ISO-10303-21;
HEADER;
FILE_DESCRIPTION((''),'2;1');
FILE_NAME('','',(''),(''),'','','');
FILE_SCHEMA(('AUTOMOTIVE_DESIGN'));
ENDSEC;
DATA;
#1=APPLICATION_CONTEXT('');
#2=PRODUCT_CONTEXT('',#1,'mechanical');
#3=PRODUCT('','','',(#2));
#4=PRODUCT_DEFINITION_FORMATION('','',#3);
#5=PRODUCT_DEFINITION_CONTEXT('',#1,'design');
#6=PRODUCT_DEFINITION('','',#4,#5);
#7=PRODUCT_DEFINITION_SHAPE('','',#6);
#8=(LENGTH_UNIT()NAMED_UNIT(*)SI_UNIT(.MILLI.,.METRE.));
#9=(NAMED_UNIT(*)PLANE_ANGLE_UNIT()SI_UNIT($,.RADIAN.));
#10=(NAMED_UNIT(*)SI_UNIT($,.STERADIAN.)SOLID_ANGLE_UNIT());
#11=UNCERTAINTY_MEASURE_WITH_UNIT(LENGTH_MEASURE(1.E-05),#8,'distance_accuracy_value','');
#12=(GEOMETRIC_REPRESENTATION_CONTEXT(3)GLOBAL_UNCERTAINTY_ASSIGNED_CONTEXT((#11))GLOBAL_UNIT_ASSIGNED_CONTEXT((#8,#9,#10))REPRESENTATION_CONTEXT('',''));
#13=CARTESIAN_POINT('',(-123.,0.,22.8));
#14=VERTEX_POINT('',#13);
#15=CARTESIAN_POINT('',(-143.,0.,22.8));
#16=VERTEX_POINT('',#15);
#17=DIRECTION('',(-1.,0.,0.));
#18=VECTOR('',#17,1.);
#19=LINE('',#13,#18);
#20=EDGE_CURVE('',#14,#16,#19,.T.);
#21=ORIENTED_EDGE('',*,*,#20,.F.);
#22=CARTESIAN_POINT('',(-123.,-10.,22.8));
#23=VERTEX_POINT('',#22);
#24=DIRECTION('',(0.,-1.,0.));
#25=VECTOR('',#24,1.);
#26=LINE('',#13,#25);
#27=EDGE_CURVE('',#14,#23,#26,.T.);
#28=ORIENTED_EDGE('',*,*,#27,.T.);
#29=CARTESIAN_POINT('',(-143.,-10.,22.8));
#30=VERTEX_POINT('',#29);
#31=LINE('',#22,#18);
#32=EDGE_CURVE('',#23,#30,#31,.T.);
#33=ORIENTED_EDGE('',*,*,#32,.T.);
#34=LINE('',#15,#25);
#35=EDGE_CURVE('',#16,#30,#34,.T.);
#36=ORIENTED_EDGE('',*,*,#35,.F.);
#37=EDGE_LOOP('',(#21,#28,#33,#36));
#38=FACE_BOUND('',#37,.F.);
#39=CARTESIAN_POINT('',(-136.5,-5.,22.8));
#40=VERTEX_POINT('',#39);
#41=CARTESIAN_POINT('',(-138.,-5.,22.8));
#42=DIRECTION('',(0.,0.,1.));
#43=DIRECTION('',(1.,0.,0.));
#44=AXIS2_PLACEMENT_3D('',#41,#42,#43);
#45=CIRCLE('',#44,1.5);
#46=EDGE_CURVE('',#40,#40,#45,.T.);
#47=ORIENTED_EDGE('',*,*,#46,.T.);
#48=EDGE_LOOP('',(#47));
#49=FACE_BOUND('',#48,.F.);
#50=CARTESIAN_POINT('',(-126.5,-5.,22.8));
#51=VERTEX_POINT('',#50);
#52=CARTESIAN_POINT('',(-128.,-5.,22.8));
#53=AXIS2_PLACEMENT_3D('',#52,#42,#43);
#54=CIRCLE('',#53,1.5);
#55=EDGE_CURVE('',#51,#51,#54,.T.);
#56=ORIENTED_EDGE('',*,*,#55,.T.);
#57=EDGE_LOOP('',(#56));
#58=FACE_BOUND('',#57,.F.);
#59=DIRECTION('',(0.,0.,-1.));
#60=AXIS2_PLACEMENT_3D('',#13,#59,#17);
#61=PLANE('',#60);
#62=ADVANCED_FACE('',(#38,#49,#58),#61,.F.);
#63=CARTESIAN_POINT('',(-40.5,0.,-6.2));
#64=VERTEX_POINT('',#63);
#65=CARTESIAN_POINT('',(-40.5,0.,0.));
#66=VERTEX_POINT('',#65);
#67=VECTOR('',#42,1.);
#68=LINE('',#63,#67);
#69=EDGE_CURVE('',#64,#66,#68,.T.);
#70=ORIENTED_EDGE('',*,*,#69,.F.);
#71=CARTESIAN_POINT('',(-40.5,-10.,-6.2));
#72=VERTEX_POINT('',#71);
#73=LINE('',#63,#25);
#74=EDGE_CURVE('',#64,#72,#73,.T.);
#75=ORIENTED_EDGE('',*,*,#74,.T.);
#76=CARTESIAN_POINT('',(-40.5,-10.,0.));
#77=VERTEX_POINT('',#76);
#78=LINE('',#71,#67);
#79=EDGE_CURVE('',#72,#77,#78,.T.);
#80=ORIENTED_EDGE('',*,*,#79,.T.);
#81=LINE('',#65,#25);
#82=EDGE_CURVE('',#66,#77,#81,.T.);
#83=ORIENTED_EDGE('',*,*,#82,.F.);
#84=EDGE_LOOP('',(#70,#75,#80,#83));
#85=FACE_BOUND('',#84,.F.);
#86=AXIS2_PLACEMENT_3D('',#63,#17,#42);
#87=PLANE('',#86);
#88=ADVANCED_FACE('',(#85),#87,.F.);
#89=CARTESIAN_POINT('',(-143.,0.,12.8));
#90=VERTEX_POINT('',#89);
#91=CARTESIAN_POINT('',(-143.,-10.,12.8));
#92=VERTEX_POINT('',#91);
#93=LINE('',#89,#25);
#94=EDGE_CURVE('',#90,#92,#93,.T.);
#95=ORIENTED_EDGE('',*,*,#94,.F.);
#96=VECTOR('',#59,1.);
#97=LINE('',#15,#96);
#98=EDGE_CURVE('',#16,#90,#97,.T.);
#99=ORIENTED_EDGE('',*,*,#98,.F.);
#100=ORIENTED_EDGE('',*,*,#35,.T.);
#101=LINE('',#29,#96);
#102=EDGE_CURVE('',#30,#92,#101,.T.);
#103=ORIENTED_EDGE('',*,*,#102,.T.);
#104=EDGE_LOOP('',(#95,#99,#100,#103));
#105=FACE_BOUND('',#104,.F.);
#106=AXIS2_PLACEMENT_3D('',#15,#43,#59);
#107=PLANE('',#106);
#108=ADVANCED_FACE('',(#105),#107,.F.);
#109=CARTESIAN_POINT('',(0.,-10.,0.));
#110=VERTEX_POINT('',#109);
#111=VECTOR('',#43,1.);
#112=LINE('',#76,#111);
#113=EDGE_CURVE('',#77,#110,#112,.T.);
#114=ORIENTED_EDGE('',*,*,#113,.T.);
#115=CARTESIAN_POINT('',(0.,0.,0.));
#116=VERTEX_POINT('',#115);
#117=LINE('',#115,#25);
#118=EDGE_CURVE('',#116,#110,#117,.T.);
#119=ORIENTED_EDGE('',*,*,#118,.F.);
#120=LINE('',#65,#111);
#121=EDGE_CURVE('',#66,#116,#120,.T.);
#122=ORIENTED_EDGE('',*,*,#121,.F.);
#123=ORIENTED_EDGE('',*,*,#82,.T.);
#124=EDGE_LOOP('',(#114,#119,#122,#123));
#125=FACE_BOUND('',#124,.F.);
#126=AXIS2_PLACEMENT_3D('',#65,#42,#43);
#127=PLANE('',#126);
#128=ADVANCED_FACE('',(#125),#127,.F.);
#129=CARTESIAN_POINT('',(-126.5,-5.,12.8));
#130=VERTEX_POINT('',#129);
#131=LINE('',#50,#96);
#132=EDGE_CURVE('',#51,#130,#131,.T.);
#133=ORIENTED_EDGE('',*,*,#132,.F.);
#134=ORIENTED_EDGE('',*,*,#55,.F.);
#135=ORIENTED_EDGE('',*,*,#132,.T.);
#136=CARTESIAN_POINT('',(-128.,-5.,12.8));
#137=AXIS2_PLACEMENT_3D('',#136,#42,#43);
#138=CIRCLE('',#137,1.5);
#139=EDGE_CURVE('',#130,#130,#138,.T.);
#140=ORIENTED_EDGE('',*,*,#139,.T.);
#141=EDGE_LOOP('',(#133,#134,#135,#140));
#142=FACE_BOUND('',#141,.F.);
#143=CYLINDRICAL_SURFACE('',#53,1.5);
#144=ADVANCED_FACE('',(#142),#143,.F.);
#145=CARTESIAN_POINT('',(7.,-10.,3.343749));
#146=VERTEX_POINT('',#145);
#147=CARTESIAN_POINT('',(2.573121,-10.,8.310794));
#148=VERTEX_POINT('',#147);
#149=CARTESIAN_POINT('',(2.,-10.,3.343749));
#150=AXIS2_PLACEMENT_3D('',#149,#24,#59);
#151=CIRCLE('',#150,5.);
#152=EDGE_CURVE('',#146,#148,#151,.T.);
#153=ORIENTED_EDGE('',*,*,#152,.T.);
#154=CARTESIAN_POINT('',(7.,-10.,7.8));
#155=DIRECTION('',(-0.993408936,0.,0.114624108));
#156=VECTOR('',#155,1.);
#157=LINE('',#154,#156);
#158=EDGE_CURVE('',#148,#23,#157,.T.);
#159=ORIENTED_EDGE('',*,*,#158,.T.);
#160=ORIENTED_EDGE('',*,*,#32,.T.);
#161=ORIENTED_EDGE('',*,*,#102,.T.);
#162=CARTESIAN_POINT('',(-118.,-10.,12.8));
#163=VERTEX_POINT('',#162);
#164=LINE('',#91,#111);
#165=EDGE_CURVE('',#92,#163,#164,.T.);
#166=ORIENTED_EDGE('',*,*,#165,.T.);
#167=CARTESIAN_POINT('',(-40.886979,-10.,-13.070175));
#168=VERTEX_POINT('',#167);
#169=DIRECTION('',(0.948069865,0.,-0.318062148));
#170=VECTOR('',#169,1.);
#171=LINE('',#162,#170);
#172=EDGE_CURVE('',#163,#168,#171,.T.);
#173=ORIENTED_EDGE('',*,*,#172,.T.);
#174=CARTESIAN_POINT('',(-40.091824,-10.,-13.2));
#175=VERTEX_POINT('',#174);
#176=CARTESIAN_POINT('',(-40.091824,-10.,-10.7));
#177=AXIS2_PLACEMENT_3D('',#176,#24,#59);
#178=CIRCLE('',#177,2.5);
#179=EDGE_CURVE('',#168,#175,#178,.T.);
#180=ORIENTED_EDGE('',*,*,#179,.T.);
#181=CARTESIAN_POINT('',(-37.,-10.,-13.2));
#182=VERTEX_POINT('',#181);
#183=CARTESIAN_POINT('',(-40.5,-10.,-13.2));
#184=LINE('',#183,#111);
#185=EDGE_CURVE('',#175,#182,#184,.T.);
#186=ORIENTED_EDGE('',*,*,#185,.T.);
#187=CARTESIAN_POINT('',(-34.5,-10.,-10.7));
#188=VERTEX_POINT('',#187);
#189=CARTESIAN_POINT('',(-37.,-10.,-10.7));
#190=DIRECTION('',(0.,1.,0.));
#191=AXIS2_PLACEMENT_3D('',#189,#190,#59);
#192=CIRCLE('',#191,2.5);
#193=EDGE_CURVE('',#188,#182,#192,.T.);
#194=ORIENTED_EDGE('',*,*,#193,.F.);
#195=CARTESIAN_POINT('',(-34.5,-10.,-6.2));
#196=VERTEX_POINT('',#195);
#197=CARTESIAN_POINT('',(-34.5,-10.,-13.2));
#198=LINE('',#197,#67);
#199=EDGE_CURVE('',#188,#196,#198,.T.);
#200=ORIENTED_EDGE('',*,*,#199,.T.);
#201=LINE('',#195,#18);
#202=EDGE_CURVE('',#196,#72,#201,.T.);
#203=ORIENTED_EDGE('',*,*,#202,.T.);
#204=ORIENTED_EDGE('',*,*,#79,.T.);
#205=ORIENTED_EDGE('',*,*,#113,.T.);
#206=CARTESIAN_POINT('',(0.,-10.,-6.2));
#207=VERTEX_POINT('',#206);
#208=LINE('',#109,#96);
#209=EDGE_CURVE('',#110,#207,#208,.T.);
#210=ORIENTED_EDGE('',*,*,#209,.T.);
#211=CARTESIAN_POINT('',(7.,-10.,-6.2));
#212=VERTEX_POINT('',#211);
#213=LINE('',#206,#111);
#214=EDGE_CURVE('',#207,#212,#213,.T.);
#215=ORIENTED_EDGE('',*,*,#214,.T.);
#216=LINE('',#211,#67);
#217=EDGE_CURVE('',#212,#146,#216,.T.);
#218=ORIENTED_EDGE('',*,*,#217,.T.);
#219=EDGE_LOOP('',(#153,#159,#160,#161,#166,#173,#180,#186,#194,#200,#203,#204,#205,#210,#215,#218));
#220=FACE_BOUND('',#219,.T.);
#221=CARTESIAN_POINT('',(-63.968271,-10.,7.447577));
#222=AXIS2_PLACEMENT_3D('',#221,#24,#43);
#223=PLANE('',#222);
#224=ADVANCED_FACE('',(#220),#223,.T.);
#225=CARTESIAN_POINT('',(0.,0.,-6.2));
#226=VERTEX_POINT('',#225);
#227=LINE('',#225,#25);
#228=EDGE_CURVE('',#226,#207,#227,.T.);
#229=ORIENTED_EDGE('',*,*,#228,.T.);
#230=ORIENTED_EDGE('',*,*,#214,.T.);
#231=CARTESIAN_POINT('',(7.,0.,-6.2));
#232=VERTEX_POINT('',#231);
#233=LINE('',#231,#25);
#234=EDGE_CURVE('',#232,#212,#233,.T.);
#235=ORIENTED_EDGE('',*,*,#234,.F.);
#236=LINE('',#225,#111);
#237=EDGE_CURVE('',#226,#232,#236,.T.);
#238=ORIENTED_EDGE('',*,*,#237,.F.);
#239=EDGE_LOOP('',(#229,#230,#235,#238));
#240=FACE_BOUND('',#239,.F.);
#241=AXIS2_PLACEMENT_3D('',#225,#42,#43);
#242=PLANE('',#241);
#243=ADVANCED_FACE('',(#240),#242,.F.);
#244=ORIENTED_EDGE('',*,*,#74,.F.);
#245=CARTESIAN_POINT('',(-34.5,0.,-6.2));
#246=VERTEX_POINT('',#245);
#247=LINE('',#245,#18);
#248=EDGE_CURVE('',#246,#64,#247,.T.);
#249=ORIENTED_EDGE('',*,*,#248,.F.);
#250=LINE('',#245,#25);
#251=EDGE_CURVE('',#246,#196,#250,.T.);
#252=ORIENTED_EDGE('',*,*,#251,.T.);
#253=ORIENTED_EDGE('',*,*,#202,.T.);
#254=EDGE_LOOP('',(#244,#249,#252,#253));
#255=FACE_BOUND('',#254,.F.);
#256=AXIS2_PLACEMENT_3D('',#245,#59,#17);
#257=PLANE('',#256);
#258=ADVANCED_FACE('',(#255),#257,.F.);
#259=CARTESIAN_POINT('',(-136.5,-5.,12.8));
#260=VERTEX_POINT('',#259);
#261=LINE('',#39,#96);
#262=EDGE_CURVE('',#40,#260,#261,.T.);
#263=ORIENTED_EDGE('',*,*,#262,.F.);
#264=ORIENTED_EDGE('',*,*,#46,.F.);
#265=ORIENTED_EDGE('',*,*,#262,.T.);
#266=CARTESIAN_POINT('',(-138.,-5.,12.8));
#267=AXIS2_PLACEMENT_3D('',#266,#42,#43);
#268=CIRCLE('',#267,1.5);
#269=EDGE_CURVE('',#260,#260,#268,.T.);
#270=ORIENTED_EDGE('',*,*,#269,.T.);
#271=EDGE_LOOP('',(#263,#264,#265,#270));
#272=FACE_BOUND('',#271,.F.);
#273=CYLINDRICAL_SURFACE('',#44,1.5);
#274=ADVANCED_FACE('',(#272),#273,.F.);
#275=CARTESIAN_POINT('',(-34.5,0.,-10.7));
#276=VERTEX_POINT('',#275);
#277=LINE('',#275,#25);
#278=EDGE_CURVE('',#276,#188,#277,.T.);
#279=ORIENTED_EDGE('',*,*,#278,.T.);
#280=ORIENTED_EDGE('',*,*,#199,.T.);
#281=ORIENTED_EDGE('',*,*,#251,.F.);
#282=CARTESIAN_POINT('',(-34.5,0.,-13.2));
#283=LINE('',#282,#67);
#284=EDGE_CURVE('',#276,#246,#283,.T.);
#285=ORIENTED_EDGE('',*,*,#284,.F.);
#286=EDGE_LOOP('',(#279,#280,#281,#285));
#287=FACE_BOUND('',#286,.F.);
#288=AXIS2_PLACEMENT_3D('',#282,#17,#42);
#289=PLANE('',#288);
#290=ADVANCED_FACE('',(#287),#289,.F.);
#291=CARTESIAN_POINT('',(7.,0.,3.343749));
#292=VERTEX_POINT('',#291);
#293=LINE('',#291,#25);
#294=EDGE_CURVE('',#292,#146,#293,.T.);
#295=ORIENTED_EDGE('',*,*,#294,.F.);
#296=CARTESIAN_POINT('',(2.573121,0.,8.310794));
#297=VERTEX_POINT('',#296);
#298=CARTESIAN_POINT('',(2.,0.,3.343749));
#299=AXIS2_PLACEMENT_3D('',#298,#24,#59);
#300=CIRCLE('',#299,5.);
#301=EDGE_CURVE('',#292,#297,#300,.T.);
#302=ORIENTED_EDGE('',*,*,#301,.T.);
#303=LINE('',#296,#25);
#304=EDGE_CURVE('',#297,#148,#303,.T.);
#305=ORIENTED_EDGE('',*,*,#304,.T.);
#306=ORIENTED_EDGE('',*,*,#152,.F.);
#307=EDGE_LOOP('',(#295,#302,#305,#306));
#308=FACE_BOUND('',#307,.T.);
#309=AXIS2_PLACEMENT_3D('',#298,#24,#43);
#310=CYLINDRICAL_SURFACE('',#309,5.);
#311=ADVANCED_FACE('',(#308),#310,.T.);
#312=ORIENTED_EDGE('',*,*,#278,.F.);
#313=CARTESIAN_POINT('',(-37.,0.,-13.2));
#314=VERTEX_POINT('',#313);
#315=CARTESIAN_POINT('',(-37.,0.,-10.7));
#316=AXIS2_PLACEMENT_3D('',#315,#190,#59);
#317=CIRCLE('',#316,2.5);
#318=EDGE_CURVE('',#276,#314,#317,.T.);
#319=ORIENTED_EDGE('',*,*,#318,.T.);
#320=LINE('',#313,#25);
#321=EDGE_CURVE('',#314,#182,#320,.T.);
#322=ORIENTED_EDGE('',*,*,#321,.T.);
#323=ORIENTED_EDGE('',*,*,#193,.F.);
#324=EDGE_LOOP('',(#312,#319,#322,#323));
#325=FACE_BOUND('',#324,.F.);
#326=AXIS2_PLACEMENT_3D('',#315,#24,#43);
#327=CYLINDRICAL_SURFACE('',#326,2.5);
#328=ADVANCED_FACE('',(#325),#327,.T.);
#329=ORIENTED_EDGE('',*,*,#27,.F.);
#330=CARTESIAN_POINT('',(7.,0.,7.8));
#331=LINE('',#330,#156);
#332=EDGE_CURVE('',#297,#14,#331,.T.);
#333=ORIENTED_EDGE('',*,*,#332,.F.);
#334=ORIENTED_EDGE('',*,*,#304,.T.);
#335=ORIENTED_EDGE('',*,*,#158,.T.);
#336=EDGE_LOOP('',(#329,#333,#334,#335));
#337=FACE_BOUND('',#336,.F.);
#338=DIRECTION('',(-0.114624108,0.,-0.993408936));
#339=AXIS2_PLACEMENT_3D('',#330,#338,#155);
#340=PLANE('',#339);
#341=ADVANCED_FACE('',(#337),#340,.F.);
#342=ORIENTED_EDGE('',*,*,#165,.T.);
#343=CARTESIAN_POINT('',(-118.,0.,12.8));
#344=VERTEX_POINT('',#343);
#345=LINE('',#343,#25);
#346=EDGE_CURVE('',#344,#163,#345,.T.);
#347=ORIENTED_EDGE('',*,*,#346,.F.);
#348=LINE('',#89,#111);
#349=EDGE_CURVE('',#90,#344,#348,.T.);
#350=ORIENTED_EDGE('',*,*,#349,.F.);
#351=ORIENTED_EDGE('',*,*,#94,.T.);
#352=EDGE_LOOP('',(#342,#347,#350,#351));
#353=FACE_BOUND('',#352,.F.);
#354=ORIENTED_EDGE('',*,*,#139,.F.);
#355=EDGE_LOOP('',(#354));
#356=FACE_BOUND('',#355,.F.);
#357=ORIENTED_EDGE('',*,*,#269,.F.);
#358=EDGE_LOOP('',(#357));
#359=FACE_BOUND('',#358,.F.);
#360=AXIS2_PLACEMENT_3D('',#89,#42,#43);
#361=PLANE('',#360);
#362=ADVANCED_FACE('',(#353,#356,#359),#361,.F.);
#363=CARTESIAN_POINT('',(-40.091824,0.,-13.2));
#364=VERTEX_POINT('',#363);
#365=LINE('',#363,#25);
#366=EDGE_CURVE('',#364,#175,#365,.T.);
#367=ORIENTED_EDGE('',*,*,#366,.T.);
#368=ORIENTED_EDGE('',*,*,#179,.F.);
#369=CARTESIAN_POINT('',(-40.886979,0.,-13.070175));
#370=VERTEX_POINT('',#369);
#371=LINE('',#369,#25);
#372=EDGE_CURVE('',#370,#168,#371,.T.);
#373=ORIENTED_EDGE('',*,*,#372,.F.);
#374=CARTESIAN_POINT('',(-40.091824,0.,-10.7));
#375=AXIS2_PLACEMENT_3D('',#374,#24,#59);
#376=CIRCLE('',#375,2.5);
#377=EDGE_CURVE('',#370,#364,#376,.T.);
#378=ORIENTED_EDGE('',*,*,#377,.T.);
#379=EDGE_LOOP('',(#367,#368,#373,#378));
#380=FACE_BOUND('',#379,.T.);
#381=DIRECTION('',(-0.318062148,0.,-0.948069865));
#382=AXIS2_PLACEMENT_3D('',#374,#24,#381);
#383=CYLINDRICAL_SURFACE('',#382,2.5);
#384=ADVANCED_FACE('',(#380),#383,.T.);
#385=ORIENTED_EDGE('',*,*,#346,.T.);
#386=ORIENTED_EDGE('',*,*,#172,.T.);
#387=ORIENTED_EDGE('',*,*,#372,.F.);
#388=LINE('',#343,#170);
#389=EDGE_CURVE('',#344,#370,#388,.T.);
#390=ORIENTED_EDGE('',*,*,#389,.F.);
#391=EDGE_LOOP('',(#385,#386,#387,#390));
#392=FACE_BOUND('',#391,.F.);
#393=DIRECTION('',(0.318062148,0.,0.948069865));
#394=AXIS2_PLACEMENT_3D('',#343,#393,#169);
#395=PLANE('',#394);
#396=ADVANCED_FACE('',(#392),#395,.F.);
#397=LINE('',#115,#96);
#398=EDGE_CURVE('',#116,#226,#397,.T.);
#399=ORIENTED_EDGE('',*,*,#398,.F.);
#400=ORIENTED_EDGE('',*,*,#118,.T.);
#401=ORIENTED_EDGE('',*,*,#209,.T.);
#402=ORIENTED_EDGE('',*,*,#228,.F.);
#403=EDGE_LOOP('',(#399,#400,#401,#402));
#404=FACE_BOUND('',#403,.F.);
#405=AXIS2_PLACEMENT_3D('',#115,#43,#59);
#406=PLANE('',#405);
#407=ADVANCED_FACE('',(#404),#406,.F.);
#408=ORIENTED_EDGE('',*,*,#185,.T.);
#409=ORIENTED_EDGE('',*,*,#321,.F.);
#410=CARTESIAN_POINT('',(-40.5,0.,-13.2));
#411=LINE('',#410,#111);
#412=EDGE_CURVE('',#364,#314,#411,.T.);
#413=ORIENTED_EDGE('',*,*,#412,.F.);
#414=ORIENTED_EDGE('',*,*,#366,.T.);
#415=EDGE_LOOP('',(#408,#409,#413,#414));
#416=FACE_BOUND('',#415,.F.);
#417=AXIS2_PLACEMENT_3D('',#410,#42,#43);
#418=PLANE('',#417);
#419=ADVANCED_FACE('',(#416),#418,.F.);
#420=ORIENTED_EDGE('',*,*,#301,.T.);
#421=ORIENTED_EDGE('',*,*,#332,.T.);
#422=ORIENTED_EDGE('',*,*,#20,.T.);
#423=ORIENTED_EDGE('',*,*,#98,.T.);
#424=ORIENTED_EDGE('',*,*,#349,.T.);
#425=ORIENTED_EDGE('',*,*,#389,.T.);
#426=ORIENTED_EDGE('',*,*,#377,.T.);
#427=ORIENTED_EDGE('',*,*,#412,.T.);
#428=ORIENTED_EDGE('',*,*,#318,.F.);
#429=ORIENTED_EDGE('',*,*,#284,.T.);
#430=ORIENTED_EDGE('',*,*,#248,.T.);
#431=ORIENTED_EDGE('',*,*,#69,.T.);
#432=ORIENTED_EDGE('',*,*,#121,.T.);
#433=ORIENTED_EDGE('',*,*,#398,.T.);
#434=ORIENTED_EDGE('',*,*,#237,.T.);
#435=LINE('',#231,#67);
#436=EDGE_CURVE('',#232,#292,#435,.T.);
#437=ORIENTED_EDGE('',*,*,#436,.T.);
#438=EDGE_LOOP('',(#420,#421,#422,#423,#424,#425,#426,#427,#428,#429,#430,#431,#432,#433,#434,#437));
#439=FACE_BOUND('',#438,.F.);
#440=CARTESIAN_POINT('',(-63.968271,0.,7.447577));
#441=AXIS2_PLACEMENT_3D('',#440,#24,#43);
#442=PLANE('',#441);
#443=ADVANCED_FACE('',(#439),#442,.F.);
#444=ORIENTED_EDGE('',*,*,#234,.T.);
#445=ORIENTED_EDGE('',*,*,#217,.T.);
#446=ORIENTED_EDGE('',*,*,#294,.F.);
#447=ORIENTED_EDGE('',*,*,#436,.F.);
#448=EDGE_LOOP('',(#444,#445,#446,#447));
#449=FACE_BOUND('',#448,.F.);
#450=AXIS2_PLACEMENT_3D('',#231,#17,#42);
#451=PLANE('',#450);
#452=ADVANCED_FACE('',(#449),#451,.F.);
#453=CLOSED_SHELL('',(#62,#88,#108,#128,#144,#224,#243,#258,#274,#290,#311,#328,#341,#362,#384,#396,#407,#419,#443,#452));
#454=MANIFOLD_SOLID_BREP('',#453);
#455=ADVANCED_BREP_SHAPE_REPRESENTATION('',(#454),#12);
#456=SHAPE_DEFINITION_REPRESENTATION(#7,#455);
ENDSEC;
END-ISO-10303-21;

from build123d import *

# Parameters (mm, degrees)
F1_DEPTH = 10
F2_R     = 5
F3_R     = 2.5
F4_R     = 1.5
F5_DEPTH = 25


with BuildPart() as f1:
    # F0 (on Front) → F1 (new body)
    with BuildSketch(Plane.XZ):
        Polygon((-40.5, 0), (0, 0), (0, -6.2), (7, -6.2), (7, 7.8), (-123, 22.8), (-143, 22.8), (-143, 12.8), (-118, 12.8), (-40.5, -13.2), (-34.5, -13.2), (-34.5, -6.2), (-40.5, -6.2), align=None)
    extrude(amount=F1_DEPTH)

    # F2
    f2_edges = [f1.edges().sort_by_distance(p)[0] for p in [
        (7, -5, 7.8),
    ]]
    fillet(f2_edges, radius=F2_R)

    # F3
    f3_edges = [f1.edges().sort_by_distance(p)[0] for p in [
        (-34.5, -5, -13.2),
        (-40.5, -5, -13.2),
    ]]
    fillet(f3_edges, radius=F3_R)

    # F4 (on face) → F5 (cut)
    with BuildSketch(Plane.XY.offset(22.8)):
        with Locations((-128, -5)):
            Circle(F4_R)
        with Locations((-138, -5)):
            Circle(F4_R)
    extrude(amount=-F5_DEPTH, mode=Mode.SUBTRACT)


solid = f1.part
